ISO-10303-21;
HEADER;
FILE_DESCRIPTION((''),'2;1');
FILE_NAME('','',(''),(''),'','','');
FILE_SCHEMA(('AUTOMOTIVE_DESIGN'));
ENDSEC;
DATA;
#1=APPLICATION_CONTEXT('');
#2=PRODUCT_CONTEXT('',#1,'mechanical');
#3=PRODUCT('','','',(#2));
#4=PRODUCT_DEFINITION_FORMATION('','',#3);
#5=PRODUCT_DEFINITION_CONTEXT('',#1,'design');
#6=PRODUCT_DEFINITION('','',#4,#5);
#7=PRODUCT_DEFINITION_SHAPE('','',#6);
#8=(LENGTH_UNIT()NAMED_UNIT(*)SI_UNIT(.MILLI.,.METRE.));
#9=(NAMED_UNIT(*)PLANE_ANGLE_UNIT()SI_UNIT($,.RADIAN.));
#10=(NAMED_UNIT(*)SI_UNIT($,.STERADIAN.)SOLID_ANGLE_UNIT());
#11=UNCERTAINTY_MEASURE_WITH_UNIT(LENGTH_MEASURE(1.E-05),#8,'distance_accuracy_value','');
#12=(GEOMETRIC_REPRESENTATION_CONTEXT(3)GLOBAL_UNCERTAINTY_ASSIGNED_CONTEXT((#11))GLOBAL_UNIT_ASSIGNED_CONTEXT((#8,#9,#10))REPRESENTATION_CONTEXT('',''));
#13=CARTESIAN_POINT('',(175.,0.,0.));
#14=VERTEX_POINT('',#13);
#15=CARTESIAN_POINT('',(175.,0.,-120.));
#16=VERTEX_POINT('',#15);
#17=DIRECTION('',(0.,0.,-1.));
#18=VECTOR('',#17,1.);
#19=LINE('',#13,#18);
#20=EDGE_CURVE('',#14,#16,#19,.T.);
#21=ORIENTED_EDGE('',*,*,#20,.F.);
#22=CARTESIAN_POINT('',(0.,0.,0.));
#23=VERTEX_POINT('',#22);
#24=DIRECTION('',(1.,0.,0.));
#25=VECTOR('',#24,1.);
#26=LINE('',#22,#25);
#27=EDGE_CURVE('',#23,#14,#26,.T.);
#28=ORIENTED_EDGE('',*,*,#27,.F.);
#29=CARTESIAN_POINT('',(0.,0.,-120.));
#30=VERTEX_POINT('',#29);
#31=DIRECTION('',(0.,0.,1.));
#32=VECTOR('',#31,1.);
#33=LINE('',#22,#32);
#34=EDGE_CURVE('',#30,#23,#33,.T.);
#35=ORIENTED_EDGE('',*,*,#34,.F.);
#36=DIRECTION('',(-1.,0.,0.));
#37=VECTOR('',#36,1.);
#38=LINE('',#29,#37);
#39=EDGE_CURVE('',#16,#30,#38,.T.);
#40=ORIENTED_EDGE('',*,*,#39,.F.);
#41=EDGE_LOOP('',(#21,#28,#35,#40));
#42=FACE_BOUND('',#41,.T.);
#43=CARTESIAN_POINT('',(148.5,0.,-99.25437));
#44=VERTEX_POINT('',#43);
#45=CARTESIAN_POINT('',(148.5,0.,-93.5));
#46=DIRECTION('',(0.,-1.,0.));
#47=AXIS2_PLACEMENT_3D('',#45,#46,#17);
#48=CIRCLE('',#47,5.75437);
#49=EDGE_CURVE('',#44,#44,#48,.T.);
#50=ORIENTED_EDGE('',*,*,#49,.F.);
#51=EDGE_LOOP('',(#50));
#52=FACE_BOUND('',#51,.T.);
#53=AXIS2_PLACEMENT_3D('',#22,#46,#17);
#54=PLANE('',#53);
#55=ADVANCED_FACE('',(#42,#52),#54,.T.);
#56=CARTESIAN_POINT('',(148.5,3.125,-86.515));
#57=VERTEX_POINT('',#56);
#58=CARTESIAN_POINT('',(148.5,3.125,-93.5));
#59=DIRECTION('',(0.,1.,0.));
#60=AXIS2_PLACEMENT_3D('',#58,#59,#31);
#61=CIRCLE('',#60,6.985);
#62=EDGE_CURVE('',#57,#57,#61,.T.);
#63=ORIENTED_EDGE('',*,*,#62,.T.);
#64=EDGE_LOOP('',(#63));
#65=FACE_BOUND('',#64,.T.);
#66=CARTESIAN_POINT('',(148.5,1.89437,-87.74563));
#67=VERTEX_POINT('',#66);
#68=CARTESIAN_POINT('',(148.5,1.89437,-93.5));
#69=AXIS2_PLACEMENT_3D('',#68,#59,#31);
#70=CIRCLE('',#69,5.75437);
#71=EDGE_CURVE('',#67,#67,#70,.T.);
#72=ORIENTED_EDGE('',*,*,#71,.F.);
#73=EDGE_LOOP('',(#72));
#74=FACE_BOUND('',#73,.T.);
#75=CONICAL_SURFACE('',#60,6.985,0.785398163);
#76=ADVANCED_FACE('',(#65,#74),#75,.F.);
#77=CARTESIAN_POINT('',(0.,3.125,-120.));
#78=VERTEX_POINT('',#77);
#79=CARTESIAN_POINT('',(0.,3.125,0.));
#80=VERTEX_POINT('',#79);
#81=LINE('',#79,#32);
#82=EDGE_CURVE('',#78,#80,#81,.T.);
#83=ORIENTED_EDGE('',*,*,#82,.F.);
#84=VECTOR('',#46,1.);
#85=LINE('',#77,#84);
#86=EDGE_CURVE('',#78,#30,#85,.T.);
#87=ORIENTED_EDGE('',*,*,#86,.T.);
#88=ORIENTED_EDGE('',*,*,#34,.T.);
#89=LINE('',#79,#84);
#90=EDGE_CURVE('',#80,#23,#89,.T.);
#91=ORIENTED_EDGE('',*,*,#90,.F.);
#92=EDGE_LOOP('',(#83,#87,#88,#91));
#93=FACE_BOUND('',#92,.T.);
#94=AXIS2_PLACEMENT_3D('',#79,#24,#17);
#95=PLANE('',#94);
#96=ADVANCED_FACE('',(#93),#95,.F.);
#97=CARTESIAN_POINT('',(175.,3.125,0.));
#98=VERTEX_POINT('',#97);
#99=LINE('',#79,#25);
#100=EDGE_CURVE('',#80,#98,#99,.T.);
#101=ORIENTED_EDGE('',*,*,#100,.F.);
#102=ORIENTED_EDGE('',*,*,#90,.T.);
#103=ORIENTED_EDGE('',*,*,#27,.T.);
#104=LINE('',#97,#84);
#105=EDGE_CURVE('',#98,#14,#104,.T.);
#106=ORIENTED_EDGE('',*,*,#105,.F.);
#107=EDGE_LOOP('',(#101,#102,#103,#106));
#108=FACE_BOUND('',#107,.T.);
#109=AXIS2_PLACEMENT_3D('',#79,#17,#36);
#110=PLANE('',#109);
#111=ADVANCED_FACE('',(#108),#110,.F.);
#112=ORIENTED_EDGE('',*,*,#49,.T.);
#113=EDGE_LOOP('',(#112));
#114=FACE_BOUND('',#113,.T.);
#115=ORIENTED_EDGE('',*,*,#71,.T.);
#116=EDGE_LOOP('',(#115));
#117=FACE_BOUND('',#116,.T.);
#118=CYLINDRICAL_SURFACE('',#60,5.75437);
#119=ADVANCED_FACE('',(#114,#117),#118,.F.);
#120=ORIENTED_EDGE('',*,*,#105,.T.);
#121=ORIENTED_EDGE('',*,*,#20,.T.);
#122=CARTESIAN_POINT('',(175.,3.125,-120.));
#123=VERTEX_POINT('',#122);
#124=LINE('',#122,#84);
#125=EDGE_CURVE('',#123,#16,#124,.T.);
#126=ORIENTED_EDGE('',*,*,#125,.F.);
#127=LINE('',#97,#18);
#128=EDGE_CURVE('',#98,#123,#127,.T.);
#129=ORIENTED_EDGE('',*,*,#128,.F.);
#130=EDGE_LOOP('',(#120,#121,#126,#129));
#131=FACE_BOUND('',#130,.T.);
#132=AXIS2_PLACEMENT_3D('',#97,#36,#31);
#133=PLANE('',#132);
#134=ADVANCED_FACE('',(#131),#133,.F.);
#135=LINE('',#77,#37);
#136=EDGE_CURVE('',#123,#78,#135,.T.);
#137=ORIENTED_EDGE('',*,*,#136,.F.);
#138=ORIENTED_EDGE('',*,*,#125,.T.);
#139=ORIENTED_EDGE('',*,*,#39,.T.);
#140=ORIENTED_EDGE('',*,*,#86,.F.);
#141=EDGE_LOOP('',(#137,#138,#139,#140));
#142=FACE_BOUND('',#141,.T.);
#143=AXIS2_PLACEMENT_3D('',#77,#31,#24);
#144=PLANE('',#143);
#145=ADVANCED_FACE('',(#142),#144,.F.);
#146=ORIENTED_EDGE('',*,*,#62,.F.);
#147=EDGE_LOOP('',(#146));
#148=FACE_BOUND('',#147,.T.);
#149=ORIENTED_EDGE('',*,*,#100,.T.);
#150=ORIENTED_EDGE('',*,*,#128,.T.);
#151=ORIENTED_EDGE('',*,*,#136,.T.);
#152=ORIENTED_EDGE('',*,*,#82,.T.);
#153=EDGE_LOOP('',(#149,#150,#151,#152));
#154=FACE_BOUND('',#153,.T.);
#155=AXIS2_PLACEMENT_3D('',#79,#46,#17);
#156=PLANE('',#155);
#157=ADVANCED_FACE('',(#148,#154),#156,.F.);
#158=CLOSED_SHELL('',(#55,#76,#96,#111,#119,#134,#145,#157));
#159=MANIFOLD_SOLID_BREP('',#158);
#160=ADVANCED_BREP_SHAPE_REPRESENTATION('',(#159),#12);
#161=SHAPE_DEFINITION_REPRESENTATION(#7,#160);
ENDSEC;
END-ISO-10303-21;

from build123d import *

# Parameters (mm, degrees)
SKETCH1_W                         = 175
SKETCH1_H                         = 120
BOSS_EXTRUDE1_DEPTH               = 3.125
F_1_2_20_TAPPED_HOLE1_D           = 11.50874
F_1_2_20_TAPPED_HOLE1_DEPTH       = 30
F_1_2_20_TAPPED_HOLE1_CSINK_D     = 13.97
F_1_2_20_TAPPED_HOLE1_CSINK_ANGLE = 90
F_1_2_20_TAPPED_HOLE1_TIP         = 3.45757432


with BuildPart() as part:
    # Sketch1 → Boss-Extrude1 (new body)
    with BuildSketch(Plane(origin=(0, 0, 0), x_dir=(1, 0, 0), z_dir=(0, 1, 0))):
        with Locations((87.5, 60)):
            Rectangle(SKETCH1_W, SKETCH1_H)
    extrude(amount=BOSS_EXTRUDE1_DEPTH)

    # 1/2-20 Tapped Hole1
    with Locations(Plane(origin=(0, 3.125, 0), x_dir=(1, 0, 0), z_dir=(0, 1, 0))):
        with Locations((148.5, 93.5)):
            CounterSinkHole(F_1_2_20_TAPPED_HOLE1_D / 2, F_1_2_20_TAPPED_HOLE1_CSINK_D / 2, depth=F_1_2_20_TAPPED_HOLE1_DEPTH, counter_sink_angle=F_1_2_20_TAPPED_HOLE1_CSINK_ANGLE)
            with Locations((0, 0, -(F_1_2_20_TAPPED_HOLE1_DEPTH + F_1_2_20_TAPPED_HOLE1_TIP / 2))):  # 118° drill point
                Cone(0, F_1_2_20_TAPPED_HOLE1_D / 2, F_1_2_20_TAPPED_HOLE1_TIP, mode=Mode.SUBTRACT)


solid = part.part
